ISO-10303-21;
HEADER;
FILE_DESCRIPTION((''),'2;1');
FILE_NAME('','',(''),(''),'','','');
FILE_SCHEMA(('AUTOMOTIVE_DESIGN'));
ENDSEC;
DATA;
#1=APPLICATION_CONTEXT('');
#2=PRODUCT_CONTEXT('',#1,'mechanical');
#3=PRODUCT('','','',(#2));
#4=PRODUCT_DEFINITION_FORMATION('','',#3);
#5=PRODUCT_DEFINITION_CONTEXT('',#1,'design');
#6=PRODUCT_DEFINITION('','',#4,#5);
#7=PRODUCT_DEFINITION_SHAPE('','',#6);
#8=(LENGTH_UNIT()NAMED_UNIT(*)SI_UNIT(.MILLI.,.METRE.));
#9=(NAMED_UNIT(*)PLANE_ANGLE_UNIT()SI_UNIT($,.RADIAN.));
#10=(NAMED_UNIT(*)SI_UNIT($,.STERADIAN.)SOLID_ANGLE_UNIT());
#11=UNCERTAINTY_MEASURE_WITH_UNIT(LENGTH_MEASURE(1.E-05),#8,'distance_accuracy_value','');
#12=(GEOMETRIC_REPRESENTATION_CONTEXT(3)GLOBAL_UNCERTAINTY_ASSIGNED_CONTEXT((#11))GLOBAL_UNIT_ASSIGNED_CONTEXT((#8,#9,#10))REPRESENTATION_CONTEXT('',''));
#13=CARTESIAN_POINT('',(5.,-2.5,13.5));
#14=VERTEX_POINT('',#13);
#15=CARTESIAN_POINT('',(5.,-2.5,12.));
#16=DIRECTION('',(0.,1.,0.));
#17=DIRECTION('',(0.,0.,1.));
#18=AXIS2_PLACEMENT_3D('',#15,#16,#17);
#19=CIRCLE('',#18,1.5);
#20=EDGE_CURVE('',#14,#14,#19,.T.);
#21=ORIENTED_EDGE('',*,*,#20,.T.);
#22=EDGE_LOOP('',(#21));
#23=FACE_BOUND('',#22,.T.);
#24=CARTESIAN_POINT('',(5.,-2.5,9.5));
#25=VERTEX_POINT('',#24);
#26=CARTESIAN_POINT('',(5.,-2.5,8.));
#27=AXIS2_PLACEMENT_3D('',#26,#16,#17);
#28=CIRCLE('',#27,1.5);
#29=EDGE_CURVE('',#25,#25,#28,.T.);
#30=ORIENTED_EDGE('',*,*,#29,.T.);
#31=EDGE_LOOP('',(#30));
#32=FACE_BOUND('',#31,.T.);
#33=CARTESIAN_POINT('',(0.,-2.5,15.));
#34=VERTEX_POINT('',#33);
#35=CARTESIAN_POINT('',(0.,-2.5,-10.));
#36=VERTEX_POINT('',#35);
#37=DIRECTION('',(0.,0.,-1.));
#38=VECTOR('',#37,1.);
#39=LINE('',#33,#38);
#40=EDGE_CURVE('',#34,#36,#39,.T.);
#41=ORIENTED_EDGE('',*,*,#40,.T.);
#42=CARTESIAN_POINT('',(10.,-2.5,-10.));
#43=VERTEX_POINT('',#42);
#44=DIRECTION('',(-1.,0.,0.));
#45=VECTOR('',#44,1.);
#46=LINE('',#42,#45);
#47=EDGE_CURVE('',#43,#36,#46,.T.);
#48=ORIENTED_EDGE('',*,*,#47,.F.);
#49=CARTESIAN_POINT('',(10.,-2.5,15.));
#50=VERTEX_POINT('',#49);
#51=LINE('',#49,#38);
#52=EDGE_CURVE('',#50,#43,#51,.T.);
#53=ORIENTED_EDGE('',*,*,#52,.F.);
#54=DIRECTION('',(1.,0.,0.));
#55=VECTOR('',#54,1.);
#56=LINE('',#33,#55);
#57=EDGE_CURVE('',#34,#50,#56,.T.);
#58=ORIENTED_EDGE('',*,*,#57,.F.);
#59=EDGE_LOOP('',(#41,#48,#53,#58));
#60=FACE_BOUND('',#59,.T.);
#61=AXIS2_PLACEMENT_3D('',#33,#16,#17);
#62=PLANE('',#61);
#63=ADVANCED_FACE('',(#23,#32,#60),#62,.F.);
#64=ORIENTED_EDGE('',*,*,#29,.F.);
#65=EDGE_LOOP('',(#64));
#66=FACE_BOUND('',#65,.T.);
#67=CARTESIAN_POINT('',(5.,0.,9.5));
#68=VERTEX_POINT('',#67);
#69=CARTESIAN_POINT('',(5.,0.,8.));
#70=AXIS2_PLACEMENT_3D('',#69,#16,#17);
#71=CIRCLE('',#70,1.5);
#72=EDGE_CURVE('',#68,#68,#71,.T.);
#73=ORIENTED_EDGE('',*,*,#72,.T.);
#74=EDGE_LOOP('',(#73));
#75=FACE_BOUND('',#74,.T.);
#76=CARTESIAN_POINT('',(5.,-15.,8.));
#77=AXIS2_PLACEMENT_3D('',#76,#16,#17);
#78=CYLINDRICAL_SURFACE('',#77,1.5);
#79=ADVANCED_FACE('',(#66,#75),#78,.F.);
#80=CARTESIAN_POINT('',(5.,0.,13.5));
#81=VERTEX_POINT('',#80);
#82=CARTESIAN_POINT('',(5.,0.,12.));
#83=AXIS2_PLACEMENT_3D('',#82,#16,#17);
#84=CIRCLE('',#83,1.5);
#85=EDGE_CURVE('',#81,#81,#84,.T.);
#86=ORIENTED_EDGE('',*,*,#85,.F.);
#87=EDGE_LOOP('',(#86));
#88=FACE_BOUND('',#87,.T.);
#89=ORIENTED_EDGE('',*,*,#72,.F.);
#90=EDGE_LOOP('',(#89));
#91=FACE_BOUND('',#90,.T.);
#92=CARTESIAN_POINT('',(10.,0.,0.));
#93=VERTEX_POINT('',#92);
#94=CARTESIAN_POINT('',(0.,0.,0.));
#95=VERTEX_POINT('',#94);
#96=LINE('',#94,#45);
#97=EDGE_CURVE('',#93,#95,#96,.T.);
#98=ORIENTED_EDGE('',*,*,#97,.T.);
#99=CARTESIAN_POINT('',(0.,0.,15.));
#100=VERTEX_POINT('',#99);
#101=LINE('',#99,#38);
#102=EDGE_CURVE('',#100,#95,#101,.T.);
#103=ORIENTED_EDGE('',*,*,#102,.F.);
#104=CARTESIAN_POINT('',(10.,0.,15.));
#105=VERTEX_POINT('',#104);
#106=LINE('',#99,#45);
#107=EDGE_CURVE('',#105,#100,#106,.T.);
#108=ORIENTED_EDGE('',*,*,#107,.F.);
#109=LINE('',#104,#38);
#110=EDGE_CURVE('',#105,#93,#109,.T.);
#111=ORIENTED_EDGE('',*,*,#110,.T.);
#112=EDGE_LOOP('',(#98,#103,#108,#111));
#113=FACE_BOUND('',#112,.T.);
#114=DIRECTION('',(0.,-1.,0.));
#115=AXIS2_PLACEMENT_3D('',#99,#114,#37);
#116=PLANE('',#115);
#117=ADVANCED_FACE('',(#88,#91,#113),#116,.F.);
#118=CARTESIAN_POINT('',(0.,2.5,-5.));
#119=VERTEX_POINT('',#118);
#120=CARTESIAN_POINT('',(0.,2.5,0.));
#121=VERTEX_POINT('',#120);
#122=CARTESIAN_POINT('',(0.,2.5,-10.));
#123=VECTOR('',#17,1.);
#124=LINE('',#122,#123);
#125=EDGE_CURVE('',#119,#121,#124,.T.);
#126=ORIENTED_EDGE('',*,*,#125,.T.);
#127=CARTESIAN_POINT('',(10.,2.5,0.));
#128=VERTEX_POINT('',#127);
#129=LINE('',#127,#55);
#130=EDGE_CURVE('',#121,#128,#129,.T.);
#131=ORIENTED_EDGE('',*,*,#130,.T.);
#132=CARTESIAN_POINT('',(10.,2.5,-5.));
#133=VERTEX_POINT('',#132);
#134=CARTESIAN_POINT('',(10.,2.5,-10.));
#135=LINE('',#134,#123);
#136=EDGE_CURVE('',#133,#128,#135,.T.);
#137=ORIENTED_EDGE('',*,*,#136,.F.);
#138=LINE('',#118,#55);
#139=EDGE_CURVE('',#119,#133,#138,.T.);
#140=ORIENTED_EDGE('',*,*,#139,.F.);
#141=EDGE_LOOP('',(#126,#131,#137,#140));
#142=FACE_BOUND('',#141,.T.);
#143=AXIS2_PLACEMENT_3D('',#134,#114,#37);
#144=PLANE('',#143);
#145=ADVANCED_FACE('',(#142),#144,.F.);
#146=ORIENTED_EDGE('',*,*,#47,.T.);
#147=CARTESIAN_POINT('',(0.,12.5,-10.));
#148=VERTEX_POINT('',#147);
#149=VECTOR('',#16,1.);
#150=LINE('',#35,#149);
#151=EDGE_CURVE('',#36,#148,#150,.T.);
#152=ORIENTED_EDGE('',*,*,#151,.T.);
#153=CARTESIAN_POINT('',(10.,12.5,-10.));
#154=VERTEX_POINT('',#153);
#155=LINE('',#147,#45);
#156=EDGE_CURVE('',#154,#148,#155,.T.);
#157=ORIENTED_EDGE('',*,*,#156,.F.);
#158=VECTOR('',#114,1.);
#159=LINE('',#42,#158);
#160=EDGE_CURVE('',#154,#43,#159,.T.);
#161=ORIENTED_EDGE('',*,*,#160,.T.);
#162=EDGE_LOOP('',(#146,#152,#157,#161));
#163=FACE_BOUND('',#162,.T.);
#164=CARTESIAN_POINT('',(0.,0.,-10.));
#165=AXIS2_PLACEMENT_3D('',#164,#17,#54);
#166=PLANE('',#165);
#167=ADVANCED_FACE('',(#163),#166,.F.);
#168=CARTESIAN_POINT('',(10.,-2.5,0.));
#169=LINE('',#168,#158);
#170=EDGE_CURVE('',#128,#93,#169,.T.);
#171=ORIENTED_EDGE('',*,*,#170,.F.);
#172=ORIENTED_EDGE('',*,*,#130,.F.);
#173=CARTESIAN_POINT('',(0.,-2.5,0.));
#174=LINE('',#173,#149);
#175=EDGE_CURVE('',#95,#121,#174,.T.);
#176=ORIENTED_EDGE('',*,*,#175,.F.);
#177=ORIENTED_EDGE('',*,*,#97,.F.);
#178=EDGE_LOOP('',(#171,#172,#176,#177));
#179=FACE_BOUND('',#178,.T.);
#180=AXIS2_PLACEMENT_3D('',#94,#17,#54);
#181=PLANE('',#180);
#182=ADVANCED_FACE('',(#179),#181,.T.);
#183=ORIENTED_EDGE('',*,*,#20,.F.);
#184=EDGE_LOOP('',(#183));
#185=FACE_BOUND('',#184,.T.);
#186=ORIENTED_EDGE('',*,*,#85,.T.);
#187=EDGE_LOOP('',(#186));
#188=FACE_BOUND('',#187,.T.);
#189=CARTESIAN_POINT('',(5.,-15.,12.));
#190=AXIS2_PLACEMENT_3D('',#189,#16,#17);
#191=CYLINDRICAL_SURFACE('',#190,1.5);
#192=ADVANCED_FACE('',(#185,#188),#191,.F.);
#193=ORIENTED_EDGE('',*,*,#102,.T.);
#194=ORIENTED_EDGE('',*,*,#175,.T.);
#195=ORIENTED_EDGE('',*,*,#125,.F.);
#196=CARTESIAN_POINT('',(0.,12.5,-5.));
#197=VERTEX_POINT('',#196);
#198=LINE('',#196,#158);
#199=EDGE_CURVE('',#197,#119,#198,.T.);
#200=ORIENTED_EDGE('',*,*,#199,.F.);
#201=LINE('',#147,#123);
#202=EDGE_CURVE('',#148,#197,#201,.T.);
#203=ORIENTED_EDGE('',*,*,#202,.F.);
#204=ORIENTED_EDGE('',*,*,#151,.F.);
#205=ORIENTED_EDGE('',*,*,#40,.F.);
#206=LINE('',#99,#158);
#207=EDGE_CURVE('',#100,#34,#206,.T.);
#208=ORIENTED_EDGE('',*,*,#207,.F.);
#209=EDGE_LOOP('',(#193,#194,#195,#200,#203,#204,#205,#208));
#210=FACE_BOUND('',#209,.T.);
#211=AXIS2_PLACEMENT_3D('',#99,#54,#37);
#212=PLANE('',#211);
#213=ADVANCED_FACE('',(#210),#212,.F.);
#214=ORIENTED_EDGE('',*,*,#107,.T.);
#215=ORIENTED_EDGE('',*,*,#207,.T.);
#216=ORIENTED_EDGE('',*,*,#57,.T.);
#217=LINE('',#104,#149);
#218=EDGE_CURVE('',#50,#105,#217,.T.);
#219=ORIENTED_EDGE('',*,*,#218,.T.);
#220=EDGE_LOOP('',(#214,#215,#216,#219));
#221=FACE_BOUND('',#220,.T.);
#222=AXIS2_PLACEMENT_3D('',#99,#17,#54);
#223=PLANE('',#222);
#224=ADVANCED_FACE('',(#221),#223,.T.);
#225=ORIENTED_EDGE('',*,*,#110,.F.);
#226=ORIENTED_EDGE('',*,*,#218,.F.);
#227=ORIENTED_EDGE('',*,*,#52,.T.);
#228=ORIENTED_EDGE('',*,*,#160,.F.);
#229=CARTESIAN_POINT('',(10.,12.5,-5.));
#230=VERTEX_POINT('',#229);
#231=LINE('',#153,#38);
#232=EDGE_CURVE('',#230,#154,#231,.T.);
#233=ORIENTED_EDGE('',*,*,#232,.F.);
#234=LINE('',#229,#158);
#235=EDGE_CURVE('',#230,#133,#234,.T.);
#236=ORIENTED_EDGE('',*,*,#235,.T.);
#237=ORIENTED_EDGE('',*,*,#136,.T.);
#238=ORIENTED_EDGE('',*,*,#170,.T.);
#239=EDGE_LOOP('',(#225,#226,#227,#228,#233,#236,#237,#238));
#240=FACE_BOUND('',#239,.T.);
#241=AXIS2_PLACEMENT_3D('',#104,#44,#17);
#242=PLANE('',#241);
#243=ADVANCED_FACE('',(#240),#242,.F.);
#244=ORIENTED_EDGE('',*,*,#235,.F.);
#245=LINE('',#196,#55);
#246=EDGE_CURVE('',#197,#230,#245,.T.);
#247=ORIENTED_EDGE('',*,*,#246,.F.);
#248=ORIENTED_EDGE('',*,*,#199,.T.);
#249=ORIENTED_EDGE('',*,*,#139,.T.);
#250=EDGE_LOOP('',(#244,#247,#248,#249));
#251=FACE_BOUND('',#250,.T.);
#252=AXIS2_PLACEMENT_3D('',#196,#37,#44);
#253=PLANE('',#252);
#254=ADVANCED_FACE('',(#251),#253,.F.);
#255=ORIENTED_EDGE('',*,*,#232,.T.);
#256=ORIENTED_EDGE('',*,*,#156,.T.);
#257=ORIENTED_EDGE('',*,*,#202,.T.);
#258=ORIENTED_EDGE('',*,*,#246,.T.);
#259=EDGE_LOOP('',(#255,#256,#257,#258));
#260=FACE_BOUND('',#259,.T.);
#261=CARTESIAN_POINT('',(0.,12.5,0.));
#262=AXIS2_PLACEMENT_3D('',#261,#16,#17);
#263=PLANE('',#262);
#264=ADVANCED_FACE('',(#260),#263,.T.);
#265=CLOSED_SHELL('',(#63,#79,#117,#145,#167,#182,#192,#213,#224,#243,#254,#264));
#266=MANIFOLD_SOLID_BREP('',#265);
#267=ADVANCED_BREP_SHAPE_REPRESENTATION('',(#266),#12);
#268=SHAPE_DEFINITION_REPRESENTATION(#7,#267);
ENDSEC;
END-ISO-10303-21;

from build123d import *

# Parameters (mm, degrees)
SKETCH1_W           = 10
SKETCH1_H           = 2.5
BOSS_EXTRUDE1_DEPTH = 15
SKETCH2_R           = 1.5
CUT_EXTRUDE1_DEPTH  = 15
SKETCH3_W           = 10
SKETCH3_H           = 5
BOSS_EXTRUDE2_DEPTH = 10
SKETCH4_W           = 10
SKETCH4_H           = 5
BOSS_EXTRUDE3_DEPTH = 10


with BuildPart() as part:
    # Sketch1 → Boss-Extrude1 (new body)
    with BuildSketch(Plane.XY):
        with Locations((5, -1.25)):
            Rectangle(SKETCH1_W, SKETCH1_H)
    extrude(amount=BOSS_EXTRUDE1_DEPTH)

    # Sketch2 → Cut-Extrude1 (cut)
    with BuildSketch(Plane(origin=(0, 0, 0), x_dir=(1, 0, 0), z_dir=(0, 1, 0))):
        with Locations(Location((5, -12, 0), (0, 0, 270))):
            Circle(SKETCH2_R)
        with Locations(Location((5, -8, 0), (0, 0, 270))):
            Circle(SKETCH2_R)
    extrude(amount=-CUT_EXTRUDE1_DEPTH, mode=Mode.SUBTRACT)

    # Sketch3 → Boss-Extrude2 (add)
    with BuildSketch(Plane(origin=(0, 0, 0), x_dir=(-1, 0, 0), z_dir=(0, 0, -1))):
        with Locations((-5, 0)):
            Rectangle(SKETCH3_W, SKETCH3_H)
    extrude(amount=BOSS_EXTRUDE2_DEPTH)

    # Sketch4 → Boss-Extrude3 (add)
    with BuildSketch(Plane(origin=(0, 2.5, 0), x_dir=(1, 0, 0), z_dir=(0, 1, 0))):
        with Locations((5, 7.5)):
            Rectangle(SKETCH4_W, SKETCH4_H)
    extrude(amount=BOSS_EXTRUDE3_DEPTH)


solid = part.part
